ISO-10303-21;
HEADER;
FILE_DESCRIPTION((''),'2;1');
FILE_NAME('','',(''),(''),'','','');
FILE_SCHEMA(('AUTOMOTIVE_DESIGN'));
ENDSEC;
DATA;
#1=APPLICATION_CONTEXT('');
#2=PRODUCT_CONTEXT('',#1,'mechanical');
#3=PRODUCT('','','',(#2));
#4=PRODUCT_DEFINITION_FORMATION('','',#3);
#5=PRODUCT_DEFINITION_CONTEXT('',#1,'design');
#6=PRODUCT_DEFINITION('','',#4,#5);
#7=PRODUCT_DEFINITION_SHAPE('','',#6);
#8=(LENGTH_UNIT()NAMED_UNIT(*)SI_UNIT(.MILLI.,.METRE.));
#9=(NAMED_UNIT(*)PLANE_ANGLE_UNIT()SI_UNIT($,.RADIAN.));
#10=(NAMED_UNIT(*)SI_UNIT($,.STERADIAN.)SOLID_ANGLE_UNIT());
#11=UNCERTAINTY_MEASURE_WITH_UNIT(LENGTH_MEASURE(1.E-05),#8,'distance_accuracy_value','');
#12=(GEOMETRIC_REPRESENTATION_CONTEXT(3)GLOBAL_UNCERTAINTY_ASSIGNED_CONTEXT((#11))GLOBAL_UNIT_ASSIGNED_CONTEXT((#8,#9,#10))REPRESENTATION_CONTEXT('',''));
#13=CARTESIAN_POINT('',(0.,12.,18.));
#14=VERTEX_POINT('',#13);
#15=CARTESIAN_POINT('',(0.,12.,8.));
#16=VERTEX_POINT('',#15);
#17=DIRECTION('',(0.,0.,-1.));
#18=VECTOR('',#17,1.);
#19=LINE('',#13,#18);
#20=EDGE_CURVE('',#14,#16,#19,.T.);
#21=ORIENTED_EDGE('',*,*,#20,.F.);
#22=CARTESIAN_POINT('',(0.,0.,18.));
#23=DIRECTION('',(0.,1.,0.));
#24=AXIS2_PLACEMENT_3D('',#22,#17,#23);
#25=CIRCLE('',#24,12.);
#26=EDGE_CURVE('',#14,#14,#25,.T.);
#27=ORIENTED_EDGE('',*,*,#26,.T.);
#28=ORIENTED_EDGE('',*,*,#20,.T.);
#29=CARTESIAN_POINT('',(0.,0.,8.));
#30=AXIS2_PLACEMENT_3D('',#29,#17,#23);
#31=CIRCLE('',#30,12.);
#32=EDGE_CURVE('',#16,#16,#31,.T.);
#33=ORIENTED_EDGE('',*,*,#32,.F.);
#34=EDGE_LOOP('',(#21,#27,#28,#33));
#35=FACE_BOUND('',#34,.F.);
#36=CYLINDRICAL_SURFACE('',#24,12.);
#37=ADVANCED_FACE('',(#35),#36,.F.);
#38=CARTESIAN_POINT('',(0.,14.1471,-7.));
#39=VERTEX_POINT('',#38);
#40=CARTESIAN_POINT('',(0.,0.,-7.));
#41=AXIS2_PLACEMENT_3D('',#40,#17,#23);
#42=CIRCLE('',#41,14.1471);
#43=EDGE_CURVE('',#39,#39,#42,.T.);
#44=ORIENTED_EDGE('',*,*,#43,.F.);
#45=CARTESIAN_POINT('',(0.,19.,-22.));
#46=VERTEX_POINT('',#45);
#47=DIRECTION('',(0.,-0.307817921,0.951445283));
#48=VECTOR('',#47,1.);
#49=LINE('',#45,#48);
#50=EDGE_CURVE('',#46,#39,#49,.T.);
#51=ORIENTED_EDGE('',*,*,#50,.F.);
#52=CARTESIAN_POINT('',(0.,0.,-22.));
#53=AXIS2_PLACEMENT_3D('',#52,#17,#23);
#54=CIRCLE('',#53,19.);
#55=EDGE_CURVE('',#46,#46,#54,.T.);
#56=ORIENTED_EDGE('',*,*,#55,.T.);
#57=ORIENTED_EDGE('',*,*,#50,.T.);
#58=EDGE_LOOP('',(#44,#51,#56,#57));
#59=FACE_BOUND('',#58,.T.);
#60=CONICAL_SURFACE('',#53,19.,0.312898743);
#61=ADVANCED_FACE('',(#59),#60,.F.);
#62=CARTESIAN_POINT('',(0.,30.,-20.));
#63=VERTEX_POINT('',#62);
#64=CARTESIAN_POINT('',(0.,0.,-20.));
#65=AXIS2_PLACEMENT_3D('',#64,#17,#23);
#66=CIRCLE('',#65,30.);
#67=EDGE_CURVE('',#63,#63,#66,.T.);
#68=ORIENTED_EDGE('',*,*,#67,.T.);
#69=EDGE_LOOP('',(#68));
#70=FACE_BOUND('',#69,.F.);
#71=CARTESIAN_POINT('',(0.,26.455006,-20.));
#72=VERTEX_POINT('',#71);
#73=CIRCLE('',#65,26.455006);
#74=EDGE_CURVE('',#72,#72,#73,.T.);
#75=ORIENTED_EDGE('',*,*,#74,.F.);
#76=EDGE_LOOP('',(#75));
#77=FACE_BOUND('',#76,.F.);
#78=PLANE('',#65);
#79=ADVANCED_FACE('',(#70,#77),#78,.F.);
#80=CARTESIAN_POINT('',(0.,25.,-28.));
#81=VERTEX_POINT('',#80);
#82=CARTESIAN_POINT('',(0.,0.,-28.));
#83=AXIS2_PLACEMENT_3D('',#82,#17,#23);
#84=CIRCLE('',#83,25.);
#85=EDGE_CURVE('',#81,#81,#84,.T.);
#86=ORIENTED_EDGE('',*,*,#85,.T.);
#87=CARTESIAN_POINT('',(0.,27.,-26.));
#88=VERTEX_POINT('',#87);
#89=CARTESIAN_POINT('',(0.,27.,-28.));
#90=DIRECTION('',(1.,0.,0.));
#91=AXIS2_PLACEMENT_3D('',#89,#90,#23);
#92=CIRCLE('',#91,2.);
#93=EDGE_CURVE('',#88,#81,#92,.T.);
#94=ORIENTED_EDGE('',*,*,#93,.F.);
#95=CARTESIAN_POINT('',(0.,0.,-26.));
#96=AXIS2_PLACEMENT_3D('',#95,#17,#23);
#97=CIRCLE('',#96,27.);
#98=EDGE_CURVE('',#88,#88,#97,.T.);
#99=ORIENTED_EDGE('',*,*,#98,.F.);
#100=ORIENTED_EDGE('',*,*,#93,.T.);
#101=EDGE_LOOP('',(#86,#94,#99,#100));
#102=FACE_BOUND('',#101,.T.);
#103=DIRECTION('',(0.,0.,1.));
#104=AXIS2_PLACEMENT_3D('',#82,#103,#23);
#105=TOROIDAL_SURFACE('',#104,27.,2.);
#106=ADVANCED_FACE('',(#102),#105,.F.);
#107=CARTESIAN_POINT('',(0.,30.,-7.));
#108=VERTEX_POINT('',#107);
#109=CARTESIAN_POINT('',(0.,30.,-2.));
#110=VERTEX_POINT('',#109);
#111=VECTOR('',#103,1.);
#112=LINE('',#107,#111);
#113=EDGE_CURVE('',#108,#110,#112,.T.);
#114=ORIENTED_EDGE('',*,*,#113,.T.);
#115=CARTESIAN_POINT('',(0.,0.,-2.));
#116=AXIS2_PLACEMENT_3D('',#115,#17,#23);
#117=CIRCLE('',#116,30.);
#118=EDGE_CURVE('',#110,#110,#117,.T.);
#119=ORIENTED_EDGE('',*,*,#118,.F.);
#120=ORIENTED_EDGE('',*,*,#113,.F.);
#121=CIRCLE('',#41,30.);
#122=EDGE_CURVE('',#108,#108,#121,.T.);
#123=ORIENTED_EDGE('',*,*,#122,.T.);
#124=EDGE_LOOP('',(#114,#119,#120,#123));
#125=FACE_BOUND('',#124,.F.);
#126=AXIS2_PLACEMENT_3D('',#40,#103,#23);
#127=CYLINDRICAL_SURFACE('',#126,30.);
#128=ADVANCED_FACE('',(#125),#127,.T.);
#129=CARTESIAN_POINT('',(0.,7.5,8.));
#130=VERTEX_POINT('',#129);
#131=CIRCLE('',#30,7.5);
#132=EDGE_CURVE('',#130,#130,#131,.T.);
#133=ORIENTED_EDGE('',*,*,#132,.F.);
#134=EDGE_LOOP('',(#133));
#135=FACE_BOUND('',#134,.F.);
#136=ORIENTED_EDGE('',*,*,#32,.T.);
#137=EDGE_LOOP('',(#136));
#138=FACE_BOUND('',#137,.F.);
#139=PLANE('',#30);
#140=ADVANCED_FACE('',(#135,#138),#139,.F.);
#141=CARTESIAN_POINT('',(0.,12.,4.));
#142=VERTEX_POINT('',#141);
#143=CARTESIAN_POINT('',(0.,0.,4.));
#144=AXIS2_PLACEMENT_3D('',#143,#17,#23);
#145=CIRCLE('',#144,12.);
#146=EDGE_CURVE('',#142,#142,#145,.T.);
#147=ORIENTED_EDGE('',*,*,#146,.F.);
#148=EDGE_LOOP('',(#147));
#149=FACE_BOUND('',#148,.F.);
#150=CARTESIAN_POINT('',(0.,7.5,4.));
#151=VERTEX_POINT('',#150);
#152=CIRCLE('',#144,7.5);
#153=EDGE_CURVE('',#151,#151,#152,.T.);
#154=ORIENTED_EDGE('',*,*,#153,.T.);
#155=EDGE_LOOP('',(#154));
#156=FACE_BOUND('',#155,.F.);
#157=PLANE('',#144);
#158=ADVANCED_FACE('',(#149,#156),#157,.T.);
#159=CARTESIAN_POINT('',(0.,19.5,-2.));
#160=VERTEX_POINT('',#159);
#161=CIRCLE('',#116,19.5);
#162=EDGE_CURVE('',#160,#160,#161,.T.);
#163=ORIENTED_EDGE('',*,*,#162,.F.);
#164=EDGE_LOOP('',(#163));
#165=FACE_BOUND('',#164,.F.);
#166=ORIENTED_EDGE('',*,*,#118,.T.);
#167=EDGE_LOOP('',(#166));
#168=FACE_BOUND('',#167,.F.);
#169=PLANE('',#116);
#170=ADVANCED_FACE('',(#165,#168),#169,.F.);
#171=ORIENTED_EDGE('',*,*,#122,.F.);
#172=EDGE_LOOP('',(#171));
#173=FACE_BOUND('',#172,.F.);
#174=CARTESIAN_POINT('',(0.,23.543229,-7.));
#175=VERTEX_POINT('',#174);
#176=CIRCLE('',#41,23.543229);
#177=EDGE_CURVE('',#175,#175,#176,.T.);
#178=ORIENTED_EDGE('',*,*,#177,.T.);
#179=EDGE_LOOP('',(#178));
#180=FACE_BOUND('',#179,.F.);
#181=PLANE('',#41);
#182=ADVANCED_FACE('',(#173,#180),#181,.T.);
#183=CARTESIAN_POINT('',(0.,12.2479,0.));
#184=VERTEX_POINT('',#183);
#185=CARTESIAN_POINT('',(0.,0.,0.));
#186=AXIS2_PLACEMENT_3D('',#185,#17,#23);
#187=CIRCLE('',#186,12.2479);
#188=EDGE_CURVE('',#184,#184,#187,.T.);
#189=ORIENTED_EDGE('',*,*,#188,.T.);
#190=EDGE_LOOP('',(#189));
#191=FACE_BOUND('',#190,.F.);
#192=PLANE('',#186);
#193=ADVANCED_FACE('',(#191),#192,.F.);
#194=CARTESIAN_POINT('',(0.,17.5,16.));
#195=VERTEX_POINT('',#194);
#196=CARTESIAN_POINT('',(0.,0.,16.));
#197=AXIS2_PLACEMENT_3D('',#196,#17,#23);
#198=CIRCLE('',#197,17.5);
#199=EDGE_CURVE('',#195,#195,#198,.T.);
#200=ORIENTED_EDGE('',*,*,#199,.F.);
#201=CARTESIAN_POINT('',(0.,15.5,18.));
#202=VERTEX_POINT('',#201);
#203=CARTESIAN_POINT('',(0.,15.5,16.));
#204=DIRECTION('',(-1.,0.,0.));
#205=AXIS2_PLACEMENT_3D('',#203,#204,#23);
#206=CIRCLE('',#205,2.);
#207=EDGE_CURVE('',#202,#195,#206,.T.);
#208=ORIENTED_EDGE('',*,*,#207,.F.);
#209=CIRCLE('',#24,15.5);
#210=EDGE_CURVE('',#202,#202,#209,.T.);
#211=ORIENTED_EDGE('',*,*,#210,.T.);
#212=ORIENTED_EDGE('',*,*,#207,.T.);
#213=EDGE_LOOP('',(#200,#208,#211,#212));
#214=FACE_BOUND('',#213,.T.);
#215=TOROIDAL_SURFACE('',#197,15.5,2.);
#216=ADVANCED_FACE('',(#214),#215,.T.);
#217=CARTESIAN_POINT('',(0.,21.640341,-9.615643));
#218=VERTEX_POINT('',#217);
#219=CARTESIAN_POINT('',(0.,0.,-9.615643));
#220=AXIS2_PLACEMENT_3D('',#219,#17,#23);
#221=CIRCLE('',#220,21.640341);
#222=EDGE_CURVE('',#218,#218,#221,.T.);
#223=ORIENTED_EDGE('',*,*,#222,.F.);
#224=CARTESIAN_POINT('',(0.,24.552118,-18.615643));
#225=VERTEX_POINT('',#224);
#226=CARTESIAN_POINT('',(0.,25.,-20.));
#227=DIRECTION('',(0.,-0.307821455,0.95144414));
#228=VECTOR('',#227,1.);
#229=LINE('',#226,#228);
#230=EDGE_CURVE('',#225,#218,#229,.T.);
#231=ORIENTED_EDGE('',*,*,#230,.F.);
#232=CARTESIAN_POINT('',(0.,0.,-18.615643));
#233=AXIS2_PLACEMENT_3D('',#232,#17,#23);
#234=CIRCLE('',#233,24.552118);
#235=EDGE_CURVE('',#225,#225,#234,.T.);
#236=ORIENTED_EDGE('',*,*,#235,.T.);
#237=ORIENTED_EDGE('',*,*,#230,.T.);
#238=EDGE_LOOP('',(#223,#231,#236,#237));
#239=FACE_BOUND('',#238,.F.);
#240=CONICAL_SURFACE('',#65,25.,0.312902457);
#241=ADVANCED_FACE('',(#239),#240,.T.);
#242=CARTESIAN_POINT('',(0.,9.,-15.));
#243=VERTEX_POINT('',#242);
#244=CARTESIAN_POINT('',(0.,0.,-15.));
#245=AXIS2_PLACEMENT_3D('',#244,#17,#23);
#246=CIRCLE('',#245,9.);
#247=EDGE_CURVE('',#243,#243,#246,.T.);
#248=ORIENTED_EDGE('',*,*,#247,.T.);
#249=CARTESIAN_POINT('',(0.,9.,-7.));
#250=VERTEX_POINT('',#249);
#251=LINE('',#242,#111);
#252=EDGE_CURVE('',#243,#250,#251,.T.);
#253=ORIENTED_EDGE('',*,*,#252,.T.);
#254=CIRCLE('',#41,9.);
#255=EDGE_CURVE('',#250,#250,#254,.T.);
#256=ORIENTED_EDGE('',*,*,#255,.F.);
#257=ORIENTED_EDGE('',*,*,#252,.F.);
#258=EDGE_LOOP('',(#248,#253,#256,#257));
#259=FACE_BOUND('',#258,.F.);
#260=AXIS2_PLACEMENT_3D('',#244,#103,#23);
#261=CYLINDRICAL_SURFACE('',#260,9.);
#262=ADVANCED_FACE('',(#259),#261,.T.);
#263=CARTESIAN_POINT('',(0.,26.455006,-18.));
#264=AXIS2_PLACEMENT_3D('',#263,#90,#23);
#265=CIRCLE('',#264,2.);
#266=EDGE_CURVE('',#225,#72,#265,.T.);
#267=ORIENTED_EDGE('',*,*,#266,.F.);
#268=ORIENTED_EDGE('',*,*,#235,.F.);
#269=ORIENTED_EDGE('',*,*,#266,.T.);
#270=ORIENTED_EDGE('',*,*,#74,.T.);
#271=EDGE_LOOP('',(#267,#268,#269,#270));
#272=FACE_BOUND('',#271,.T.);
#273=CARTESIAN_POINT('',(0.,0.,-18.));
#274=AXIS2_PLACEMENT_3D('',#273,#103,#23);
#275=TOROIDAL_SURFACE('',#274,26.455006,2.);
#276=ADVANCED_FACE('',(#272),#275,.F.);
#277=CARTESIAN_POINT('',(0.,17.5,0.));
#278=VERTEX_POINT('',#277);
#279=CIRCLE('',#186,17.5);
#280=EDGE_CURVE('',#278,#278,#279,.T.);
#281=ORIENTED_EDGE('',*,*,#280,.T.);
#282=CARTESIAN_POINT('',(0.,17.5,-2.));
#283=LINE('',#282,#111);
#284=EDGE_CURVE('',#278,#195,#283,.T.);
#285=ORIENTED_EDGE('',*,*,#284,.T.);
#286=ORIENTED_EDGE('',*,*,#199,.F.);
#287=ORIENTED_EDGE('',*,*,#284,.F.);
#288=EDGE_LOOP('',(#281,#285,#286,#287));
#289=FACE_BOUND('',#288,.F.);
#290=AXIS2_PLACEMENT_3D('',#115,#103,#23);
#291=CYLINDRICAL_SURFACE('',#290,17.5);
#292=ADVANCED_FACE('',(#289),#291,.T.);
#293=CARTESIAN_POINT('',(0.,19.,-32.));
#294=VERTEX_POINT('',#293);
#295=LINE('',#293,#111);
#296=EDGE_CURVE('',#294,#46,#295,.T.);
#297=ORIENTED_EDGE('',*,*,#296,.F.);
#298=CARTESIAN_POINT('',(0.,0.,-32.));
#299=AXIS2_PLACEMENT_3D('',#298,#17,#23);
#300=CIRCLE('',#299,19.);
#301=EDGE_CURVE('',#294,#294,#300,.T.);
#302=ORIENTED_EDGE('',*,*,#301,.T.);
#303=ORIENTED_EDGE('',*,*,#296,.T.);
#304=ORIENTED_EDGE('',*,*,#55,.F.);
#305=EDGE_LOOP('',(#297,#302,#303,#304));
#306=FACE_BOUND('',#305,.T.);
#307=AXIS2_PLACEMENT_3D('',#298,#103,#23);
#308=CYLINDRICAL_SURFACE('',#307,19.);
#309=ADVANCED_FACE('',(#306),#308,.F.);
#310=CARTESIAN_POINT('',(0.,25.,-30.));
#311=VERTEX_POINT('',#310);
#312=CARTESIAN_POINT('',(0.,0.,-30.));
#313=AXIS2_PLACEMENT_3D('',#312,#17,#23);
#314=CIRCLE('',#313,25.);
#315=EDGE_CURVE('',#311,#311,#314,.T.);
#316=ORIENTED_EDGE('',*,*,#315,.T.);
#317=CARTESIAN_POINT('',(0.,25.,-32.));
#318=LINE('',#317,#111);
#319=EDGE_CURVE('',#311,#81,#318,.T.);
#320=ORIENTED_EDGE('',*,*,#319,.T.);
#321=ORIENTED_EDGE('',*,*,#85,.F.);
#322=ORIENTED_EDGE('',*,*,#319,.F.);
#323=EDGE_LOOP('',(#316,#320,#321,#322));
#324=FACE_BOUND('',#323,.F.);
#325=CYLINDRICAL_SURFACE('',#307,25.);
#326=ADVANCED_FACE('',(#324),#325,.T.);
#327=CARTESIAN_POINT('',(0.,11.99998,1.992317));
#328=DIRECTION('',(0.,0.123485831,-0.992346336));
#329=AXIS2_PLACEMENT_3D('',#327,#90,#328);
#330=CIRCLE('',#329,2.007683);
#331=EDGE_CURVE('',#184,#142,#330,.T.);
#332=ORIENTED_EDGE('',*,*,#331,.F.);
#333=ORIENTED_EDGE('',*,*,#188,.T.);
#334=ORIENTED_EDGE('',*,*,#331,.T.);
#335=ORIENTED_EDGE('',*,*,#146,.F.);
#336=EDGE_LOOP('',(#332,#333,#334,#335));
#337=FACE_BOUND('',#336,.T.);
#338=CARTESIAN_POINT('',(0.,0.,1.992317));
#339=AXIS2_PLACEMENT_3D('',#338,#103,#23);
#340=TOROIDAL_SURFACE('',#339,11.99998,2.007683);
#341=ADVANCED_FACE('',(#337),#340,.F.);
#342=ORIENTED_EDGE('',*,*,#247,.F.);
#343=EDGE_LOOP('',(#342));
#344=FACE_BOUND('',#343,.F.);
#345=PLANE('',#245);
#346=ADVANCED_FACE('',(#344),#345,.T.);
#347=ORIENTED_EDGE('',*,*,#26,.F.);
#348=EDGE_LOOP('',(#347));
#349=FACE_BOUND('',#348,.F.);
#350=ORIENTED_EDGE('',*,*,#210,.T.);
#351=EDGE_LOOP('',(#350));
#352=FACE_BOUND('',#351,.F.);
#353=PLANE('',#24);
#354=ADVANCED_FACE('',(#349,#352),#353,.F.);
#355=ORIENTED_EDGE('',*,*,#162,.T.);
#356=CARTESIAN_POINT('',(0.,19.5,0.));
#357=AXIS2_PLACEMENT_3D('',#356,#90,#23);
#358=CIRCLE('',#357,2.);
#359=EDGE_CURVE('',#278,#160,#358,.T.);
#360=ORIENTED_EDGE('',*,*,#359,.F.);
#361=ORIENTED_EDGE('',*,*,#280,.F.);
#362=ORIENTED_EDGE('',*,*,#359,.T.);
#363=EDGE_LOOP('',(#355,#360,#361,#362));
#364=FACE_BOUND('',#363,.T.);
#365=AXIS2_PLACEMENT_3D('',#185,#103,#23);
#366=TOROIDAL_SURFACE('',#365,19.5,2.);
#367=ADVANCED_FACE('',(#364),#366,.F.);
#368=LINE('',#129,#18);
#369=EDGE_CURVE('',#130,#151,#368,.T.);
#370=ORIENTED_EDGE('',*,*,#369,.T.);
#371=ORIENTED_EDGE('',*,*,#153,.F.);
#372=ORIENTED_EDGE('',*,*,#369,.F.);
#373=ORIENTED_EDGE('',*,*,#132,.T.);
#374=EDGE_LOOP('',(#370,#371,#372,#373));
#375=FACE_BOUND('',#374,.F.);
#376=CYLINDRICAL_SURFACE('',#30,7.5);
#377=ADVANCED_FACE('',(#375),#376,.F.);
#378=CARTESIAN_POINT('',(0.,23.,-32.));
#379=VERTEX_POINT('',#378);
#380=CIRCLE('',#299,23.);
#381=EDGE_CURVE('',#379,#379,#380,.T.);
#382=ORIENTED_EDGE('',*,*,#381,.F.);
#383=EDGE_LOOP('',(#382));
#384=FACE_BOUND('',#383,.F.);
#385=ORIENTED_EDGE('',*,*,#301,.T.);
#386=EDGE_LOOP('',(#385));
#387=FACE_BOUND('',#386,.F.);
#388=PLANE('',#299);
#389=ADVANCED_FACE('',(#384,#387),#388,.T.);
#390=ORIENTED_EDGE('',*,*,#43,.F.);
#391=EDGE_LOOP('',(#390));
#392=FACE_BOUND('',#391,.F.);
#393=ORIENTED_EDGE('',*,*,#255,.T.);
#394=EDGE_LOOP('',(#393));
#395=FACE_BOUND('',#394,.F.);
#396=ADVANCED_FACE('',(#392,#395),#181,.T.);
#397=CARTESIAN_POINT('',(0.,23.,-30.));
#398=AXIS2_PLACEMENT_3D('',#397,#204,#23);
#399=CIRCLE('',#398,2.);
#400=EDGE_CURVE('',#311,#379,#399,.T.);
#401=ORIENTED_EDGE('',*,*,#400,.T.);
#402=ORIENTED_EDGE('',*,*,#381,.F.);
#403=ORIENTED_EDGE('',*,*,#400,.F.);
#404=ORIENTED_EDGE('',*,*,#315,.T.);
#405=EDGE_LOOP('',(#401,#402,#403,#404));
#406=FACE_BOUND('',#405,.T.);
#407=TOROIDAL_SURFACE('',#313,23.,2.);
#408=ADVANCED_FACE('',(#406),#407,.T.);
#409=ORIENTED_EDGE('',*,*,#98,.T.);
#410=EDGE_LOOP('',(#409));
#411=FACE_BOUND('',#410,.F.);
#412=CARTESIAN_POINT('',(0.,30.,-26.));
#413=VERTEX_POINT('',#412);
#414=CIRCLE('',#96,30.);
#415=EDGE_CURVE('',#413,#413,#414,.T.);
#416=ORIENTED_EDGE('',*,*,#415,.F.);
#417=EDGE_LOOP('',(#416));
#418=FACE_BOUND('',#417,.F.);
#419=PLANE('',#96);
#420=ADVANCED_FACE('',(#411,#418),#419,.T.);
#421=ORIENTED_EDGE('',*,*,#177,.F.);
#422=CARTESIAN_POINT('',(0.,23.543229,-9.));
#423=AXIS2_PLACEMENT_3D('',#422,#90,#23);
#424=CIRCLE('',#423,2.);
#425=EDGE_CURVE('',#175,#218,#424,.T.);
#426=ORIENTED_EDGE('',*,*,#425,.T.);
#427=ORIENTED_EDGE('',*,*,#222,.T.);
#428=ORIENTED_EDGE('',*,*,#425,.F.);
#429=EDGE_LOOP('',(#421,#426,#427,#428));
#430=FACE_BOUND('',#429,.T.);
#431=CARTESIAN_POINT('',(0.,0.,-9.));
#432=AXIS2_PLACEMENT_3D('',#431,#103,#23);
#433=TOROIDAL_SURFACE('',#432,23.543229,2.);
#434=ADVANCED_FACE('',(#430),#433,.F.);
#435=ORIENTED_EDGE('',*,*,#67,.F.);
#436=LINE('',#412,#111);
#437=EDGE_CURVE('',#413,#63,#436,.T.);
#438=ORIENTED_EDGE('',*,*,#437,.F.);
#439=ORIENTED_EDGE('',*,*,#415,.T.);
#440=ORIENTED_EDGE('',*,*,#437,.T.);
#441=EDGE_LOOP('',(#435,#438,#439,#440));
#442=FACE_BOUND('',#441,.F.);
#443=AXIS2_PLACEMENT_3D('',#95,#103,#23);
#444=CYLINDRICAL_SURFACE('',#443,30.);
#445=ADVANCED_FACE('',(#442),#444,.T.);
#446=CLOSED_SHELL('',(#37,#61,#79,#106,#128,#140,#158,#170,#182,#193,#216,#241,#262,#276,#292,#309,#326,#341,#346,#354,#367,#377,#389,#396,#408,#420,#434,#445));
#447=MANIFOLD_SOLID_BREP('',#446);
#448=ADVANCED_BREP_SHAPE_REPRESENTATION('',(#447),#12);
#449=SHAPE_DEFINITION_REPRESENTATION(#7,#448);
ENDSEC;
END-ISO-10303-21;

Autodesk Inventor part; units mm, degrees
ref_plane "YZ Plane" through (0, 0, 0) normal (1, 0, 0) x (0, 1, 0)
ref_plane "XZ Plane" through (0, 0, 0) normal (0, 1, 0) x (-1, 0, 0)
ref_plane "XY Plane" through (0, 0, 0) normal (0, 0, 1) x (1, 0, 0)
sketch "Schizzo1" plane through (0, 0, 0) normal (1, 0, 0) x (0, 1, 0)
  line L0 (0, 0) -> (0, -15)
  line L1 (0, -15) -> (9, -15)
  line L2 (9, -15) -> (9, -7)
  line L3 (19, -32) -> (19, -22)
  line L4 (19, -22) -> (14.1471, -7)
  line L5 (19, -22) -> (34.7655, -22) construction
  line L6 (9, -7) -> (14.1471, -7)
  line L7 (19, -32) -> (25, -32)
  line L8 (25, -32) -> (25, -26)
  line L9 (25, -26) -> (30, -26)
  line L10 (30, -26) -> (30, -20)
  line L11 (30, -20) -> (25, -20)
  line L12 (25, -20) -> (20.7941, -7)
  line L13 (20.7941, -7) -> (30, -7)
  line L14 (30, -7) -> (30, -2)
  line L15 (30, -2) -> (17.5, -2)
  line L16 (17.5, -2) -> (17.5, 18)
  line L17 (17.5, 18) -> (12, 18)
  line L18 (12, 18) -> (12, 8)
  line L19 (12, 8) -> (7.5, 8)
  line L20 (7.5, 8) -> (7.5, 4)
  line L21 (7.5, 4) -> (12, 4)
  arc A0 (12.2479, 0) -> (12, 4) centre (12, 1.9923) ccw
  line L22 (12.2479, 0) -> (0, 0)
  point P0 (0, -7.5)
  point P1 (9.75, 8)
  point P2 (6.1239, 0)
  dimension "d3" = 15
  dimension "d7" = 10
  dimension "d10" = 18
  dimension "d11" = 38
  dimension "d12" = 50
  dimension "d13" = 60
  dimension "d14" = 25
  dimension "d15" = 6
  dimension "d16" = 6
  dimension "d17" = 25
  dimension "d18" = 50
  dimension "d19" = 20
  dimension "d20" = 10
  dimension "d23" = 15
  dimension "d24" = 24
  dimension "d25" = 35
  dimension "d26" = 60
  dimension "d27" = 4
  dimension "d28" = 18
  dimension "d29" = 12
revolve "Rivoluzione1" add sketch "Schizzo1" angle 360 about axis through (0, 0, 0) along (0, 0, -1)
fillet "Raccordo1" radius 2 6 edges at (0, -25, -20) (0, -25, -32) (0, -25, -26) (0, -20.7941, -7) (0, -17.5, -2) (0, -17.5, 18)
properties part number "esercizio 02-27-2023"
